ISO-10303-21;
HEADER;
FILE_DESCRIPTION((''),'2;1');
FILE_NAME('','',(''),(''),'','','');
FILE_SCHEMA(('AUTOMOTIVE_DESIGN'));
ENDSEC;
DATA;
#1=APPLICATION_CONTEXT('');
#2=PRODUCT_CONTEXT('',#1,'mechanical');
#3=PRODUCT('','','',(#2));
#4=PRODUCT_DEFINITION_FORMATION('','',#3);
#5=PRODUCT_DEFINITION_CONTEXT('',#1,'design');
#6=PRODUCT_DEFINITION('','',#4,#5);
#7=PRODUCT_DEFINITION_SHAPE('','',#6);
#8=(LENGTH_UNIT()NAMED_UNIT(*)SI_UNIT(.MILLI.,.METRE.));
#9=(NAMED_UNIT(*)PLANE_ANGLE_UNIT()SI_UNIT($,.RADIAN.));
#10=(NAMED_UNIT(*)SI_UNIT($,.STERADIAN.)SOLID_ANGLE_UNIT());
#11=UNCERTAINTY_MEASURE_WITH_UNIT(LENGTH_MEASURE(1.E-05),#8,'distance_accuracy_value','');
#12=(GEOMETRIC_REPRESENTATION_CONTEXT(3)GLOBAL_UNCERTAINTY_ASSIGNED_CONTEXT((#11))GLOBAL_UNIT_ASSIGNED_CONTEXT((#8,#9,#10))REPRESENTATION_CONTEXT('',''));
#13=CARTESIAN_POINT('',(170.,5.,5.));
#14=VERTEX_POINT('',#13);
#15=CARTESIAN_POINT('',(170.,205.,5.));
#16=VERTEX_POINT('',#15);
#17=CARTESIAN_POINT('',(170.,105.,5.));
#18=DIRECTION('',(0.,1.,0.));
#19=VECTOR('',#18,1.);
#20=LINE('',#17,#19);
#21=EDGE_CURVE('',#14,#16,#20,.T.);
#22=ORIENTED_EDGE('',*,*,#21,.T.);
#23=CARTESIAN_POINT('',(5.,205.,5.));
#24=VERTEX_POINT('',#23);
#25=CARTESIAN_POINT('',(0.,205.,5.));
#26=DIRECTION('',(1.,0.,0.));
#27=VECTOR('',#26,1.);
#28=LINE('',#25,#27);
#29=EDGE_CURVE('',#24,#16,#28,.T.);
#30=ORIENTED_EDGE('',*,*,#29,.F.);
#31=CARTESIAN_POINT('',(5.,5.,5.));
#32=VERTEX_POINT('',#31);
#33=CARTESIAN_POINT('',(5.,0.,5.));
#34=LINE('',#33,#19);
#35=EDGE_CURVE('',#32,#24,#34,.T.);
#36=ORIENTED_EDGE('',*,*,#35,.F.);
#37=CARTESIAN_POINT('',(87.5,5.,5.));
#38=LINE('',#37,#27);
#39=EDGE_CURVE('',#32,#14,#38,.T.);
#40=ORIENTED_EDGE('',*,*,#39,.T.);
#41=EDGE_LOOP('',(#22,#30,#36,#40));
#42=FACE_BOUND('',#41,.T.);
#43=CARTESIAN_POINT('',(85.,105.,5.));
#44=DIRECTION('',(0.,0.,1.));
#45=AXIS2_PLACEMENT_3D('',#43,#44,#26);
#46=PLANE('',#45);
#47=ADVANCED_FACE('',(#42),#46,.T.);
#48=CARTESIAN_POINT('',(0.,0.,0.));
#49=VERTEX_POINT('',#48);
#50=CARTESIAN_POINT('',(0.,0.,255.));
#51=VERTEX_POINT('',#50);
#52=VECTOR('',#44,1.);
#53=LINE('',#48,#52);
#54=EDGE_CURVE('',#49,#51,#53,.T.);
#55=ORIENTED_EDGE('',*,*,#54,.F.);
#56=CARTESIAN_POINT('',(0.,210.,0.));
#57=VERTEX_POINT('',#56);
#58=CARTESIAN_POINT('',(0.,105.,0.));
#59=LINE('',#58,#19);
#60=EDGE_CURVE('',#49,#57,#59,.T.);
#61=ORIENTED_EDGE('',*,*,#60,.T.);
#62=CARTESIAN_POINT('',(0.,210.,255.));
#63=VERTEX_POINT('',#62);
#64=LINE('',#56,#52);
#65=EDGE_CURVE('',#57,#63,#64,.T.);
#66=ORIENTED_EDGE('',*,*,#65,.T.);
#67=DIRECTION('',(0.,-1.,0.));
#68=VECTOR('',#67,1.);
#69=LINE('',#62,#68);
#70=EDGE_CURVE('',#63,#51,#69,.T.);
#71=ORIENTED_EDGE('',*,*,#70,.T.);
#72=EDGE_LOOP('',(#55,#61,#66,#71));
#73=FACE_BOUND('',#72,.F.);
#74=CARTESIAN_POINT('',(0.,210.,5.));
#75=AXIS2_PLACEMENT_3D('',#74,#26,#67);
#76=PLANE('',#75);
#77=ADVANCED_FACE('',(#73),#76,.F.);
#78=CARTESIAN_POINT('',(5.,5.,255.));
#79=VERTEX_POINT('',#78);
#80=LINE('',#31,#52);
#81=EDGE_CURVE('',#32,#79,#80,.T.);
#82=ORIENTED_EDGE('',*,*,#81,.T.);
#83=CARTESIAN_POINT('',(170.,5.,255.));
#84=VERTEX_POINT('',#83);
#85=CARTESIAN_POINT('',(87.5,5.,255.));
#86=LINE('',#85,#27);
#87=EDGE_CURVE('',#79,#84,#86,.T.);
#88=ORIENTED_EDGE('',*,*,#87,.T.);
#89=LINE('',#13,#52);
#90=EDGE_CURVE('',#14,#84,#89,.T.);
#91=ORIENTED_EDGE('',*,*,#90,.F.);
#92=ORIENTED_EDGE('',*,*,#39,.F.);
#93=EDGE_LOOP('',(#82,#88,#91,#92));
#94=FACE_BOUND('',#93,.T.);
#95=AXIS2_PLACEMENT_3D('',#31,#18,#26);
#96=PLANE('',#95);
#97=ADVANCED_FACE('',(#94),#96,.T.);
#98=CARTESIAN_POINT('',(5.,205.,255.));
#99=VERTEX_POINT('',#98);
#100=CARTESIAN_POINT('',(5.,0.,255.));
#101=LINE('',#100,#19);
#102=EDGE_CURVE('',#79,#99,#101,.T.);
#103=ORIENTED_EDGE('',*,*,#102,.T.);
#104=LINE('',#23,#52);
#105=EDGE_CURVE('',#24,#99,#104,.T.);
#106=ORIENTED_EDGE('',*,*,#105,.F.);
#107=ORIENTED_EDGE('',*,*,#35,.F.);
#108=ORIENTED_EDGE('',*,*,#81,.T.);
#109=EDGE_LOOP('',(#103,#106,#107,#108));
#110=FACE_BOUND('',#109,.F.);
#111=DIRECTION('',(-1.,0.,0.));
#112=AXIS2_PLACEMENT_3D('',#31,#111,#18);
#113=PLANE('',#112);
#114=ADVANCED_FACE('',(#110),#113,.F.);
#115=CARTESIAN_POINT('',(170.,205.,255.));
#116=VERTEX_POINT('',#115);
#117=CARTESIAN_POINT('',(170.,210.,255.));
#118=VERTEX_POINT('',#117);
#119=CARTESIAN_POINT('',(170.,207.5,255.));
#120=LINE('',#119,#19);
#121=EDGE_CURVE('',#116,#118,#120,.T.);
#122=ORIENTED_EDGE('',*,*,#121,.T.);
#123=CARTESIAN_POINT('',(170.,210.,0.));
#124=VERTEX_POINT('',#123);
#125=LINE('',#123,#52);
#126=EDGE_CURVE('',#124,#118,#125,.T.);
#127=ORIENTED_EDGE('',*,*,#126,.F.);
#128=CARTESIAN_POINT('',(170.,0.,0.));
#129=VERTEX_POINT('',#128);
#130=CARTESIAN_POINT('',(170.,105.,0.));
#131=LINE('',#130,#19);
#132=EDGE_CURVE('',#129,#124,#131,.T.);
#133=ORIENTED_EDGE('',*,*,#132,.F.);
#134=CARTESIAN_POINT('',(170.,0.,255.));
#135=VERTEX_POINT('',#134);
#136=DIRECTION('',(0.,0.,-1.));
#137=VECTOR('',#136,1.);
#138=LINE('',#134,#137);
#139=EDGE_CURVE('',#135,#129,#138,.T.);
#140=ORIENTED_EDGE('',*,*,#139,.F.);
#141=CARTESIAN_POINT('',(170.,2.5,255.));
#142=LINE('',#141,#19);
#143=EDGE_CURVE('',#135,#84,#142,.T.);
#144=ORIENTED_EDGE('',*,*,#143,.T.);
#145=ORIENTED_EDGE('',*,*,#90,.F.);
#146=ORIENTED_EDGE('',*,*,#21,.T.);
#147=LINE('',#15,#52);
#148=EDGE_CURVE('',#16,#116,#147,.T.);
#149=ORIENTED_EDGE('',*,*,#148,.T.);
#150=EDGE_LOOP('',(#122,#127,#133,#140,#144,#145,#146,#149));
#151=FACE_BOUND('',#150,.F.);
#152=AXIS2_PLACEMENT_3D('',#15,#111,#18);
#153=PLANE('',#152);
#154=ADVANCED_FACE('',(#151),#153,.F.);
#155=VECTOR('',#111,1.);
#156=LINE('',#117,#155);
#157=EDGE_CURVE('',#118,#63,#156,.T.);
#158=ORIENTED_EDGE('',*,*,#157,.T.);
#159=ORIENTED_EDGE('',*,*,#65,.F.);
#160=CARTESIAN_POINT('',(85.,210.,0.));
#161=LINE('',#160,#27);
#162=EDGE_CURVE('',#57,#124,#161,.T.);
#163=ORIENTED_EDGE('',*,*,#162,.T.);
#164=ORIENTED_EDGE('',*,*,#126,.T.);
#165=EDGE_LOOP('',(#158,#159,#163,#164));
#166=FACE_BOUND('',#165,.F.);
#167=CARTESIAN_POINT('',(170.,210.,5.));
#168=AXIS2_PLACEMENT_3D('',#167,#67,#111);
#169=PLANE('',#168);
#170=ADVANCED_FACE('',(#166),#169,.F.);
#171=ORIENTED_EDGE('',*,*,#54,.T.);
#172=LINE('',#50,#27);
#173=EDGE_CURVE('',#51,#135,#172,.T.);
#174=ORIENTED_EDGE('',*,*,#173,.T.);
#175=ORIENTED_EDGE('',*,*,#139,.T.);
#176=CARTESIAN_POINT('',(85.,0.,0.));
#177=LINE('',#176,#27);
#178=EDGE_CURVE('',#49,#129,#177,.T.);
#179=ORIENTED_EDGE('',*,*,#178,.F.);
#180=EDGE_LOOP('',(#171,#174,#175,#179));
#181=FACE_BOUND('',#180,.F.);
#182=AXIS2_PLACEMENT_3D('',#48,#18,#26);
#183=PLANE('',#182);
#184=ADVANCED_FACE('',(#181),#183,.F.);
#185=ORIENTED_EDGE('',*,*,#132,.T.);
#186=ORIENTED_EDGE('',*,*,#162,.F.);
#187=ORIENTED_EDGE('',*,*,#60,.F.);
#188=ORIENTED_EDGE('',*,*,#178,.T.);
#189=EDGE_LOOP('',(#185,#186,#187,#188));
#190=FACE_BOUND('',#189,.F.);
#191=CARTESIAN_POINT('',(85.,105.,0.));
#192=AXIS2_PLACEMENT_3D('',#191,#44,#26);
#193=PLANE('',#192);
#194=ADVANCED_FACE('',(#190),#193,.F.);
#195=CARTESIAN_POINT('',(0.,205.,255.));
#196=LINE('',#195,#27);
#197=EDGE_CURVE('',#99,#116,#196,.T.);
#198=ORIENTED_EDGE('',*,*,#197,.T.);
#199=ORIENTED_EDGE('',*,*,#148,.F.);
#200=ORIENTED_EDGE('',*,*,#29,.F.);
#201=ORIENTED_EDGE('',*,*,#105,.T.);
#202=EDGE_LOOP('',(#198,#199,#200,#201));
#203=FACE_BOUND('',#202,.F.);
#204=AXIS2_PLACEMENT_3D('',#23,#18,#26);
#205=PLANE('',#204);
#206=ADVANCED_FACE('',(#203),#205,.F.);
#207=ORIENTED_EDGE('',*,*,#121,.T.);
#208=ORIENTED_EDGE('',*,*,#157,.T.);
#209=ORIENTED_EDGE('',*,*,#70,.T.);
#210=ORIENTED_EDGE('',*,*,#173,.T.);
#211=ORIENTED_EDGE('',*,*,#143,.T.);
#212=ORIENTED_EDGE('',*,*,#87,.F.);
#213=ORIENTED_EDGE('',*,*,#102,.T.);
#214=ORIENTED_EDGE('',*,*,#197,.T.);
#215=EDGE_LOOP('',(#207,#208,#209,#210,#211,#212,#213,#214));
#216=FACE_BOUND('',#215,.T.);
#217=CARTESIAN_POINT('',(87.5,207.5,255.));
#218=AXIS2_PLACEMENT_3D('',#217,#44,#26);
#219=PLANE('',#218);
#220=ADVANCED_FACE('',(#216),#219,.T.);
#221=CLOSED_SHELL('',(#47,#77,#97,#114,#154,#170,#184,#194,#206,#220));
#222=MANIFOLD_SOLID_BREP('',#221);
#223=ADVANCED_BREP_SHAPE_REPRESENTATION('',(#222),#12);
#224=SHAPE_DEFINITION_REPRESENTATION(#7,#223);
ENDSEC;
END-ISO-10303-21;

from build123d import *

# Parameters (mm, degrees)
F0_W     = 170
F0_H     = 210
F1_DEPTH = 5
F2_W     = 165
F2_H     = 5
F2_W_2   = 5
F2_H_2   = 200
F3_DEPTH = 250


with BuildPart() as f1:
    # F0 (on Top) → F1 (new body)
    with BuildSketch(Plane.XY):
        with Locations((85, 105)):
            Rectangle(F0_W, F0_H)
    extrude(amount=F1_DEPTH)

    # F2 (on face) → F3 (join)
    with BuildSketch(Plane.XY.offset(5)):
        with Locations((87.5, 207.5)):
            Rectangle(F2_W, F2_H)
        with Locations((2.5, 207.5)):
            Rectangle(F2_W_2, F2_H)
        with Locations((2.5, 105)):
            Rectangle(F2_W_2, F2_H_2)
        with Locations((2.5, 2.5)):
            Rectangle(F2_W_2, F2_H)
        with Locations((87.5, 2.5)):
            Rectangle(F2_W, F2_H)
    extrude(amount=F3_DEPTH)


solid = f1.part
